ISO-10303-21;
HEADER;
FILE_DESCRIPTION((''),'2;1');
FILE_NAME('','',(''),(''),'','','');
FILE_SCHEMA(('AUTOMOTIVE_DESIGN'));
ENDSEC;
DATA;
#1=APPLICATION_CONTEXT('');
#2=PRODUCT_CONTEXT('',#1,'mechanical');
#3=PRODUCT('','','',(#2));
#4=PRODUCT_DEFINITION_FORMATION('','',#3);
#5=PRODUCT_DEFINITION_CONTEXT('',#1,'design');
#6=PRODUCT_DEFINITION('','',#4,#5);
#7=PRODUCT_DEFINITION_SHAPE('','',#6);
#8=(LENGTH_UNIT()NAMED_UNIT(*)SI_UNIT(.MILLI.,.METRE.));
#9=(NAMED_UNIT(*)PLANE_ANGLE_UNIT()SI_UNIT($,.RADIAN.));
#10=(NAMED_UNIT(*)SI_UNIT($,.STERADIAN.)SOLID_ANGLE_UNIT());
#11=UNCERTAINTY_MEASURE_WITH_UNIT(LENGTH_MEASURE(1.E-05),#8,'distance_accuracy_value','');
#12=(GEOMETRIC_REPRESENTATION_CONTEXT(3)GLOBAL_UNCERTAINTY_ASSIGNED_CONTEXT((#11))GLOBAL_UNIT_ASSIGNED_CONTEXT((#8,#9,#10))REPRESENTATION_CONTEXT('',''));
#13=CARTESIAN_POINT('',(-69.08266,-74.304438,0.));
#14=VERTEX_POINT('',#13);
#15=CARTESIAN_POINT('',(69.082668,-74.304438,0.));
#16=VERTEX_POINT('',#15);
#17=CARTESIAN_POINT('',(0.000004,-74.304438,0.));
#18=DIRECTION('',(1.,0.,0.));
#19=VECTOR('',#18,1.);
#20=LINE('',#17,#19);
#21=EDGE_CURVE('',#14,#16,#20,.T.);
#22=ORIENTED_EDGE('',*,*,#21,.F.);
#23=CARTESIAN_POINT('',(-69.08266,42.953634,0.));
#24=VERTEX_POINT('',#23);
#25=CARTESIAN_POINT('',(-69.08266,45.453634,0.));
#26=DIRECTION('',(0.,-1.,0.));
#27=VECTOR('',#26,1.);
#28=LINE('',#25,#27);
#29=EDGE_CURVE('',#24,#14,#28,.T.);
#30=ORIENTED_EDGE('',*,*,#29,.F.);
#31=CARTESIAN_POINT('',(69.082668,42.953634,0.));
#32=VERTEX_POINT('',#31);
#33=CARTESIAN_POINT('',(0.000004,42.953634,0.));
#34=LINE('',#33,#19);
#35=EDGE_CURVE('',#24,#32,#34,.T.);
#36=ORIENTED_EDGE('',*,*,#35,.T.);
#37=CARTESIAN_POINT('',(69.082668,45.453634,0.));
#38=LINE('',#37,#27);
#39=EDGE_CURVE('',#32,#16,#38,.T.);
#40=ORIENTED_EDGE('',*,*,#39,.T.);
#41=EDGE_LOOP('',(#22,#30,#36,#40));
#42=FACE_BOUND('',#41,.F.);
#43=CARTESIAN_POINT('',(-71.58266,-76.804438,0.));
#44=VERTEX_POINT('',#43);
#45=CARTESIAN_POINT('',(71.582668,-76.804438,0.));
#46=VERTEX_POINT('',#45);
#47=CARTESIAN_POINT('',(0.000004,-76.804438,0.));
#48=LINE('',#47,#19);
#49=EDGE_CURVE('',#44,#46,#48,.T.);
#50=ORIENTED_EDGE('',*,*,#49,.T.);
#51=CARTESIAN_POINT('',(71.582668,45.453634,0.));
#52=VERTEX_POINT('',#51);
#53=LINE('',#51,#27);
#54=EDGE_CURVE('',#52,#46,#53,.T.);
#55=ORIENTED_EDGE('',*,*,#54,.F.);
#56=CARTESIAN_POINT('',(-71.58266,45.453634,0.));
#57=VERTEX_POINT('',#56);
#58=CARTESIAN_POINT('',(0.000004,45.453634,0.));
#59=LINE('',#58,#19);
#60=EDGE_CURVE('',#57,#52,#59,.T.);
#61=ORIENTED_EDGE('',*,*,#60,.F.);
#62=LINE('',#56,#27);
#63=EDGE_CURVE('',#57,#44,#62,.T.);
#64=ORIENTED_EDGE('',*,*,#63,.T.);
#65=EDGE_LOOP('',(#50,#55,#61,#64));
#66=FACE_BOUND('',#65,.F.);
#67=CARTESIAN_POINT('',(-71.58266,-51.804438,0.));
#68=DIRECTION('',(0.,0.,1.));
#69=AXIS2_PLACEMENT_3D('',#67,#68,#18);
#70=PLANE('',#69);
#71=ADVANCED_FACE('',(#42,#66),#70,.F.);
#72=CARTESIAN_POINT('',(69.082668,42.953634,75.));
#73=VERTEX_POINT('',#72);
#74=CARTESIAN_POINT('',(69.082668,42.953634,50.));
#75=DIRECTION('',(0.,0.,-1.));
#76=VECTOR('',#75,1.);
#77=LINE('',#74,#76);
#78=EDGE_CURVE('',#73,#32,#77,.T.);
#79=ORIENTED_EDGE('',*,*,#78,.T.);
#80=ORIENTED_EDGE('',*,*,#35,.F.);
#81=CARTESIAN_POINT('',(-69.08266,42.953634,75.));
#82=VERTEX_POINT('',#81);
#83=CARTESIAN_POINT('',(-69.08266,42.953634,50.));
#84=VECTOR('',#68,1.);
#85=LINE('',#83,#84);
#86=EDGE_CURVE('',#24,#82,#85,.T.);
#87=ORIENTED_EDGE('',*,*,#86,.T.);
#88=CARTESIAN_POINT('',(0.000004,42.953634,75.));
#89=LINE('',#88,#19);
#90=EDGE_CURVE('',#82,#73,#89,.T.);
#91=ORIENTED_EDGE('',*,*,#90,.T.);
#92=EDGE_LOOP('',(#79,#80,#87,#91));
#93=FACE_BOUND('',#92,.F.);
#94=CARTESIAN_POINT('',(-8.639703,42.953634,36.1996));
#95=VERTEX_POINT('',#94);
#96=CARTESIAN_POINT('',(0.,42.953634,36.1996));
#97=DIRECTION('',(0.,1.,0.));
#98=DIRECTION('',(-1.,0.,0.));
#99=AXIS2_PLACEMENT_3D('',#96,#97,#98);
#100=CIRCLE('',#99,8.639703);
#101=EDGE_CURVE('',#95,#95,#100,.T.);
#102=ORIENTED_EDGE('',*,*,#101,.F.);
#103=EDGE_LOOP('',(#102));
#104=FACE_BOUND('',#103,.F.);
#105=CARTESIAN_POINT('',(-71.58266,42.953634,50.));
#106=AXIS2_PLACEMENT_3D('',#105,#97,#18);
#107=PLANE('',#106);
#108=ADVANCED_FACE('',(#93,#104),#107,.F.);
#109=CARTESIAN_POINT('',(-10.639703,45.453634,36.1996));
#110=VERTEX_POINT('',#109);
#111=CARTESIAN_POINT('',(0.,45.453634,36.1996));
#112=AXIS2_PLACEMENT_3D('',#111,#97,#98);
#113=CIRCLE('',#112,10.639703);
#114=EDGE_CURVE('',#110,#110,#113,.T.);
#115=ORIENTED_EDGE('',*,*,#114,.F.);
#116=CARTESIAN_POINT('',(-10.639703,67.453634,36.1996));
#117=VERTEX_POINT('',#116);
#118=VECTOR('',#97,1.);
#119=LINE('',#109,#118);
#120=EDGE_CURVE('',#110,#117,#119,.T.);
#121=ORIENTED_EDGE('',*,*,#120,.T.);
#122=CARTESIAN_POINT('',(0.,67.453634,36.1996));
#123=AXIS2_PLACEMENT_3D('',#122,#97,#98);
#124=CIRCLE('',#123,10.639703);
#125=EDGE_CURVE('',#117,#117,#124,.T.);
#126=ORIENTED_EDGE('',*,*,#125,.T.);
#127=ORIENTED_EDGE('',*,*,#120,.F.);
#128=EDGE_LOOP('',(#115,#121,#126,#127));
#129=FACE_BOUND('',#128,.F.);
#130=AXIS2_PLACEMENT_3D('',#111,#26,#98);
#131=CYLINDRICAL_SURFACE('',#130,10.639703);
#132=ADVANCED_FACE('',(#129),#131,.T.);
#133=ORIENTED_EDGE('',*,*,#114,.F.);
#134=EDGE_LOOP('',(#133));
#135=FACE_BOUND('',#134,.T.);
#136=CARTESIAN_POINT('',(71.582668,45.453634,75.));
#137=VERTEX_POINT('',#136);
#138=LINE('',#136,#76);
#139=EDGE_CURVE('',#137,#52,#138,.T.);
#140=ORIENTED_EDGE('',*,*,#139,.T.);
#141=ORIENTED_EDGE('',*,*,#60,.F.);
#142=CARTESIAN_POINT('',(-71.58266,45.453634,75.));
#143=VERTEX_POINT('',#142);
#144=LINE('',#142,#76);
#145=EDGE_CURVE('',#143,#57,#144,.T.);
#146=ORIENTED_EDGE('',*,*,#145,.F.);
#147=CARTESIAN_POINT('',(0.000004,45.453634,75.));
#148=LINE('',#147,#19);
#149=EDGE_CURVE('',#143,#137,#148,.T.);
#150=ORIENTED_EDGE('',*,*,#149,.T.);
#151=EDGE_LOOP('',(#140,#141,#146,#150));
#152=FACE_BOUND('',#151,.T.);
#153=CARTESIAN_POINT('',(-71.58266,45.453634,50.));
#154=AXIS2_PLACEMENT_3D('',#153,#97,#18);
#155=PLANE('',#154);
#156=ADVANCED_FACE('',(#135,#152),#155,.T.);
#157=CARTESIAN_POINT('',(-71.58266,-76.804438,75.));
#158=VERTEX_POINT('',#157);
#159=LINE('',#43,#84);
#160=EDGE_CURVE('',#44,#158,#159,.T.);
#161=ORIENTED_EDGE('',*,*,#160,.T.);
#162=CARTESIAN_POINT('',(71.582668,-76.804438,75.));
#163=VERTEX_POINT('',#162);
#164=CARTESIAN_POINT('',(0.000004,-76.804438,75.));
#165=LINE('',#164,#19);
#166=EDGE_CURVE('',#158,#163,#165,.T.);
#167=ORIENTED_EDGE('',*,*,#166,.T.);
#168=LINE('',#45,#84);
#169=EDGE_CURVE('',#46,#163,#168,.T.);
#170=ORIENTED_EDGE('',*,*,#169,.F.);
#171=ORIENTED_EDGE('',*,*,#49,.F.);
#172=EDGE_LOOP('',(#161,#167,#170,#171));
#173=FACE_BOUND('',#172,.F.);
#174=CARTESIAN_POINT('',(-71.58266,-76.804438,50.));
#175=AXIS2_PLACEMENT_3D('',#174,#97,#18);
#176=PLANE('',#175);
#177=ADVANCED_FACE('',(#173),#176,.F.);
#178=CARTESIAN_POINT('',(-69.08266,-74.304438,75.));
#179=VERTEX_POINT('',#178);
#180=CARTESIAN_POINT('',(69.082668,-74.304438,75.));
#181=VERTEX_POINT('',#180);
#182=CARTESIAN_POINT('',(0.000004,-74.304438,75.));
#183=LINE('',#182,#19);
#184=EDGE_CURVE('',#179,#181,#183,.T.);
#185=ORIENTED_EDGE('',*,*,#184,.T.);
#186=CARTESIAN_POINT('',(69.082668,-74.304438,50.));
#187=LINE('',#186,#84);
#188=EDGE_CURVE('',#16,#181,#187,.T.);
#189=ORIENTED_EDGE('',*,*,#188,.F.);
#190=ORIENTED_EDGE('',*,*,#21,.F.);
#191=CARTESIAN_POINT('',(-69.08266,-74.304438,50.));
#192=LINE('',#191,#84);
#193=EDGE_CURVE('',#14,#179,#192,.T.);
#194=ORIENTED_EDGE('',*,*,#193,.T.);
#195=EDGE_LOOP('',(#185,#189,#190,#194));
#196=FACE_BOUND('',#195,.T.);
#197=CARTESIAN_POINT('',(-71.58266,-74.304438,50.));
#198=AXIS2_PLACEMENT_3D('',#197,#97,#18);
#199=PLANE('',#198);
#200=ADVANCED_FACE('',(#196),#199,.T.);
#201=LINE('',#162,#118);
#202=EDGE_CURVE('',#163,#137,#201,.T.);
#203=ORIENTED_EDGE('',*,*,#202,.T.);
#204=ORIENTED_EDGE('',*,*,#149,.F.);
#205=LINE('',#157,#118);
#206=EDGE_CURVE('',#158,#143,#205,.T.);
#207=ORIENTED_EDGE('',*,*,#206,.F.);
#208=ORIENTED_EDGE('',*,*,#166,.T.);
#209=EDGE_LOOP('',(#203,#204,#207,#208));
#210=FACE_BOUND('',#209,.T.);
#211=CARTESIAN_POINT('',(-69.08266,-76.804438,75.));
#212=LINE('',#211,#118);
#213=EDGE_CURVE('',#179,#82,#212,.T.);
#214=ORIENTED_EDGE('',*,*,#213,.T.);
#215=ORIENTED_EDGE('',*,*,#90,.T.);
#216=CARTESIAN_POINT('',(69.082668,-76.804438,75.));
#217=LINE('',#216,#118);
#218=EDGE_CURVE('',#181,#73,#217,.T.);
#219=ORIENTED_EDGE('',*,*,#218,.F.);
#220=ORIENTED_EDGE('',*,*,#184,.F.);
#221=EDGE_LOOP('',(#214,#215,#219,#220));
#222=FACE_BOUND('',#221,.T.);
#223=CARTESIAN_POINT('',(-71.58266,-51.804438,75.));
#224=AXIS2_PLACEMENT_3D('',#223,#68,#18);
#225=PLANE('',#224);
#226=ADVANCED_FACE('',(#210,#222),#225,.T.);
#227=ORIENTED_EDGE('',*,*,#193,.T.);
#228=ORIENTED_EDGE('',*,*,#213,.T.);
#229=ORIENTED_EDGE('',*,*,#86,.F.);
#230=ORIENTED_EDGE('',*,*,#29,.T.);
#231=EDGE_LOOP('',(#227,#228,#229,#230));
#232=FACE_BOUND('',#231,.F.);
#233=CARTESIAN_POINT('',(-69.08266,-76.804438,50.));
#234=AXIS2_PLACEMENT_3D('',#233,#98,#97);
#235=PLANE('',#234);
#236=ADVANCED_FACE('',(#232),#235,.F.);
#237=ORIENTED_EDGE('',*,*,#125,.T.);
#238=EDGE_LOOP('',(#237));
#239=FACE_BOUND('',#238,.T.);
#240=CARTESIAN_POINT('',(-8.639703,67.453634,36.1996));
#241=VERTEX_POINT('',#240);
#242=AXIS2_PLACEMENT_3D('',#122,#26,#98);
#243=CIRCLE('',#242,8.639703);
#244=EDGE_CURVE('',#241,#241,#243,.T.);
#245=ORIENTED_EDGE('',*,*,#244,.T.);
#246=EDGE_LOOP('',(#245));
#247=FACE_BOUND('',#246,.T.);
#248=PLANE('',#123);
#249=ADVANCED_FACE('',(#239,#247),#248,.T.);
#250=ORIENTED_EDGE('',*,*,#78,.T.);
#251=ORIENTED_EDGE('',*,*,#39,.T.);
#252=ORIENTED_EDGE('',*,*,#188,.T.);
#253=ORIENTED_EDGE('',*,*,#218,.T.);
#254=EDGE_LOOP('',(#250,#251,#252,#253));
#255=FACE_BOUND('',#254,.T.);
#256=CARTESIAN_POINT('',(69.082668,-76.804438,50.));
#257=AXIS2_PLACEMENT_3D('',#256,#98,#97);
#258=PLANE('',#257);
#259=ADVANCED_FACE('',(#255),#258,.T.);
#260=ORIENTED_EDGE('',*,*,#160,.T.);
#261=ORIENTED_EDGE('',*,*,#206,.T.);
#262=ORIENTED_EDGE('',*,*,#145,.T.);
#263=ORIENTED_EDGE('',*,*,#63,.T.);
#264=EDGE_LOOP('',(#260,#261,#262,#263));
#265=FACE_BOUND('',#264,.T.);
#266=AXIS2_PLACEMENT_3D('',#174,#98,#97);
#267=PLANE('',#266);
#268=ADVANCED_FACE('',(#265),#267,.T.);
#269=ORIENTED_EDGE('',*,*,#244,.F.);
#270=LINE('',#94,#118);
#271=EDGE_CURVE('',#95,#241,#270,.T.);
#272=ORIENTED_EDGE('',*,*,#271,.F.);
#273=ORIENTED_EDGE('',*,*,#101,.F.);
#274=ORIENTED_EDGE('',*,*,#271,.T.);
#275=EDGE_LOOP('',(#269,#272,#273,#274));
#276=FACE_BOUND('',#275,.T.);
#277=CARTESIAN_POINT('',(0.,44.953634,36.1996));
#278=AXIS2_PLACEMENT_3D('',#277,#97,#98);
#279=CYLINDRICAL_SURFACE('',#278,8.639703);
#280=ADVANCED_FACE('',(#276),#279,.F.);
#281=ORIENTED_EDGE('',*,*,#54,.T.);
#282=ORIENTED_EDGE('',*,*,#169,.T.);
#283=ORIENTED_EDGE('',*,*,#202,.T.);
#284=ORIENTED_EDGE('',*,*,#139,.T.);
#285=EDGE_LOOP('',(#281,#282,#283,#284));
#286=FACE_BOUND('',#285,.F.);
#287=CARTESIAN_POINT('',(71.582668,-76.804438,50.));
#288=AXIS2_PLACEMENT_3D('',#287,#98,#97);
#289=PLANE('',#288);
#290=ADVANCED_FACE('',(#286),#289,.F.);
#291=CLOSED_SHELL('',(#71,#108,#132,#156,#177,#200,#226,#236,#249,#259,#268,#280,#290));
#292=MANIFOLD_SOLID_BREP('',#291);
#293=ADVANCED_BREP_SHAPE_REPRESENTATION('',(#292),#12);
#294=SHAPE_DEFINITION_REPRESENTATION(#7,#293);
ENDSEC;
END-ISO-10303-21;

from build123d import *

# Parameters (mm, degrees)
F0_W     = 143.1653276086
F0_H     = 97.2580723464
F1_DEPTH = 25
F2_DEPTH = 25
F3_DEPTH = 25
F4_DEPTH = 25
F5_T     = -2.5
F6_R     = 10.6397034599
F7_DEPTH = 22
F8_T     = -2
F9_DEPTH = 25


with BuildPart() as f1:
    # F0 (on Top) → F1 (new body)
    with BuildSketch(Plane.XY):
        with Locations((3.7253e-06, -3.1754020602)):
            Rectangle(F0_W, F0_H)
    extrude(amount=F1_DEPTH)

    # F2 (add): faces of the model
    f2_faces = [f1.faces().sort_by_distance(p)[0] for p in [
        (3.7253e-06, -51.8044382334, 12.5),
        (3.7253e-06, 45.4536341131, 12.5),
    ]]
    extrude(f2_faces, amount=F2_DEPTH, dir=(0, -1, 0))

    # F3 (add): faces of the model
    f3_faces = [f1.faces().sort_by_distance(p)[0] for p in [
        (3.7253e-06, -15.6754020602, 25),
        (3.7253e-06, -15.6754020602, 0),
    ]]
    extrude(f3_faces, amount=F3_DEPTH, dir=(0, 0, 1))

    # F4 (add): faces of the model
    f4_faces = [f1.faces().sort_by_distance(p)[0] for p in [
        (3.7253e-06, -15.6754020602, 50),
        (3.7253e-06, -15.6754020602, 0),
    ]]
    extrude(f4_faces, amount=F4_DEPTH, dir=(0, 0, 1))

    # F5
    f5_openings = [f1.faces().sort_by_distance(p)[0] for p in [
        (4e-06, -15.675402, 0),
        (4e-06, -15.675402, 75),
    ]]
    offset(amount=F5_T, openings=f5_openings)

    # F6 (on face) → F7 (join)
    with BuildSketch(Plane(origin=(0, 45.4536341131, 0), x_dir=(-1, 0, 0), z_dir=(0, 1, 0))):
        with Locations((0, 36.1995995045)):
            Circle(F6_R)
    extrude(amount=F7_DEPTH)

    # F8
    f8_openings = [f1.faces().sort_by_distance(p)[0] for p in [
        (0, 67.453634, 36.1996),
    ]]
    offset(amount=F8_T, openings=f8_openings, kind=Kind.INTERSECTION)

    # F9 (cut): a face of the model
    f9_faces = [f1.faces().sort_by_distance(p)[0] for p in [
        (0, 44.9536341131, 36.1995995045),
    ]]
    extrude(f9_faces, amount=-F9_DEPTH, mode=Mode.SUBTRACT)


solid = f1.part
